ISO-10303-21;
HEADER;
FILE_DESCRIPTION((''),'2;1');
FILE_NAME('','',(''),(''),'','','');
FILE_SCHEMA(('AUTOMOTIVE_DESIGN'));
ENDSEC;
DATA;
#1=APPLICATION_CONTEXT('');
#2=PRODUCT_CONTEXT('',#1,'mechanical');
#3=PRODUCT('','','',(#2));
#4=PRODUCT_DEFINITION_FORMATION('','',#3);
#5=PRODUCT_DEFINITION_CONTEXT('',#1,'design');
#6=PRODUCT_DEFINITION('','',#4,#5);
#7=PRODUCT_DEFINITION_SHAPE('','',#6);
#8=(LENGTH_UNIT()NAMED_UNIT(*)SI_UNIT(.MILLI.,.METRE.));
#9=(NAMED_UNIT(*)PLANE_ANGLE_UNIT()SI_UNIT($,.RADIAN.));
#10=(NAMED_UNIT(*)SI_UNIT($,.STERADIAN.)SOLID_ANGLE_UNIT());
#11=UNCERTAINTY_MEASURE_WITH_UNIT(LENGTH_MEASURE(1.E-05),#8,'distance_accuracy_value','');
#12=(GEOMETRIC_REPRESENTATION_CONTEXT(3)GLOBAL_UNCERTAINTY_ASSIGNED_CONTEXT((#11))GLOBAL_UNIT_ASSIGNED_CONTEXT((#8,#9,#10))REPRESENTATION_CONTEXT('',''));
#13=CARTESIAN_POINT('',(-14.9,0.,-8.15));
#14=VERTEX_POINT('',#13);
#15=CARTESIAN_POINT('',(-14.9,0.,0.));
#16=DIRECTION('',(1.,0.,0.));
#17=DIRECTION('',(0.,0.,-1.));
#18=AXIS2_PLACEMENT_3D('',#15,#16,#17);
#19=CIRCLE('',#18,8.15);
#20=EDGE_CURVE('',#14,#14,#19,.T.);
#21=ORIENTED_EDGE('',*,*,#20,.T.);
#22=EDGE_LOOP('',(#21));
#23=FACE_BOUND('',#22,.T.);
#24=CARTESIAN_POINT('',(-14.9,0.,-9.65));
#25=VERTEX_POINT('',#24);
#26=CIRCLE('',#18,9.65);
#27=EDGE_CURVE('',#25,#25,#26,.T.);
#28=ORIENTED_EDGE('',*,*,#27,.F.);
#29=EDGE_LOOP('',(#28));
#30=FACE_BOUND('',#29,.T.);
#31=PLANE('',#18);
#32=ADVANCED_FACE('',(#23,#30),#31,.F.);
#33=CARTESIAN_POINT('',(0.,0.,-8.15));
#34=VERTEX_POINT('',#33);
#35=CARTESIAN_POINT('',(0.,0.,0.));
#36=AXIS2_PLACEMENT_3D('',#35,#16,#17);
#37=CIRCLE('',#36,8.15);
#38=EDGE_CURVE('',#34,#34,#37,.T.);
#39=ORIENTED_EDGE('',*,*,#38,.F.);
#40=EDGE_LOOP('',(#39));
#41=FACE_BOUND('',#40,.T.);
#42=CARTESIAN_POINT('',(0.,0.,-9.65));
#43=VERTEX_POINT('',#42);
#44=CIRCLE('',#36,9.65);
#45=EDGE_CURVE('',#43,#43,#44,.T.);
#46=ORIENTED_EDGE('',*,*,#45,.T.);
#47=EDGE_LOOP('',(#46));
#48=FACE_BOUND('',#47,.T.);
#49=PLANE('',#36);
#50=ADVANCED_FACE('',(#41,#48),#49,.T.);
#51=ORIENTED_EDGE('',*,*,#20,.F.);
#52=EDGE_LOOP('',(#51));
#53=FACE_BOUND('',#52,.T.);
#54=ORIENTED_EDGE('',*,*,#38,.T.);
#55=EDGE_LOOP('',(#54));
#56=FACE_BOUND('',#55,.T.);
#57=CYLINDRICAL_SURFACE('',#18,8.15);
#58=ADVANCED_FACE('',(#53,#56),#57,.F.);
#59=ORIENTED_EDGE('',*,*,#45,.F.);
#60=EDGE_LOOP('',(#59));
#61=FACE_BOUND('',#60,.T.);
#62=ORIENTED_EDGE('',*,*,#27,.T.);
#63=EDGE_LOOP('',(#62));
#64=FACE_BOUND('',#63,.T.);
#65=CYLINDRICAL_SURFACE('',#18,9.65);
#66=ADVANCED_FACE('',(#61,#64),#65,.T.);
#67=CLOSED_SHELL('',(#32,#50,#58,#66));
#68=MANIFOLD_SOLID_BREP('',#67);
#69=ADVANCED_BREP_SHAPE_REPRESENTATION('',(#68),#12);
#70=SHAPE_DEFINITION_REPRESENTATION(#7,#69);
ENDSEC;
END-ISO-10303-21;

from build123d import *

# Parameters (mm, degrees)
CROQUIS1_R              = 9.65
CROQUIS1_R_2            = 8.15
SALIENTE_EXTRUIR1_DEPTH = 14.9


with BuildPart() as part:
    # Croquis1 → Saliente-Extruir1 (new body)
    with BuildSketch(Plane(origin=(0, 0, 0), x_dir=(0, 0, -1), z_dir=(1, 0, 0))):
        Circle(CROQUIS1_R)
        Circle(CROQUIS1_R_2, mode=Mode.SUBTRACT)
    extrude(amount=-SALIENTE_EXTRUIR1_DEPTH)


solid = part.part
